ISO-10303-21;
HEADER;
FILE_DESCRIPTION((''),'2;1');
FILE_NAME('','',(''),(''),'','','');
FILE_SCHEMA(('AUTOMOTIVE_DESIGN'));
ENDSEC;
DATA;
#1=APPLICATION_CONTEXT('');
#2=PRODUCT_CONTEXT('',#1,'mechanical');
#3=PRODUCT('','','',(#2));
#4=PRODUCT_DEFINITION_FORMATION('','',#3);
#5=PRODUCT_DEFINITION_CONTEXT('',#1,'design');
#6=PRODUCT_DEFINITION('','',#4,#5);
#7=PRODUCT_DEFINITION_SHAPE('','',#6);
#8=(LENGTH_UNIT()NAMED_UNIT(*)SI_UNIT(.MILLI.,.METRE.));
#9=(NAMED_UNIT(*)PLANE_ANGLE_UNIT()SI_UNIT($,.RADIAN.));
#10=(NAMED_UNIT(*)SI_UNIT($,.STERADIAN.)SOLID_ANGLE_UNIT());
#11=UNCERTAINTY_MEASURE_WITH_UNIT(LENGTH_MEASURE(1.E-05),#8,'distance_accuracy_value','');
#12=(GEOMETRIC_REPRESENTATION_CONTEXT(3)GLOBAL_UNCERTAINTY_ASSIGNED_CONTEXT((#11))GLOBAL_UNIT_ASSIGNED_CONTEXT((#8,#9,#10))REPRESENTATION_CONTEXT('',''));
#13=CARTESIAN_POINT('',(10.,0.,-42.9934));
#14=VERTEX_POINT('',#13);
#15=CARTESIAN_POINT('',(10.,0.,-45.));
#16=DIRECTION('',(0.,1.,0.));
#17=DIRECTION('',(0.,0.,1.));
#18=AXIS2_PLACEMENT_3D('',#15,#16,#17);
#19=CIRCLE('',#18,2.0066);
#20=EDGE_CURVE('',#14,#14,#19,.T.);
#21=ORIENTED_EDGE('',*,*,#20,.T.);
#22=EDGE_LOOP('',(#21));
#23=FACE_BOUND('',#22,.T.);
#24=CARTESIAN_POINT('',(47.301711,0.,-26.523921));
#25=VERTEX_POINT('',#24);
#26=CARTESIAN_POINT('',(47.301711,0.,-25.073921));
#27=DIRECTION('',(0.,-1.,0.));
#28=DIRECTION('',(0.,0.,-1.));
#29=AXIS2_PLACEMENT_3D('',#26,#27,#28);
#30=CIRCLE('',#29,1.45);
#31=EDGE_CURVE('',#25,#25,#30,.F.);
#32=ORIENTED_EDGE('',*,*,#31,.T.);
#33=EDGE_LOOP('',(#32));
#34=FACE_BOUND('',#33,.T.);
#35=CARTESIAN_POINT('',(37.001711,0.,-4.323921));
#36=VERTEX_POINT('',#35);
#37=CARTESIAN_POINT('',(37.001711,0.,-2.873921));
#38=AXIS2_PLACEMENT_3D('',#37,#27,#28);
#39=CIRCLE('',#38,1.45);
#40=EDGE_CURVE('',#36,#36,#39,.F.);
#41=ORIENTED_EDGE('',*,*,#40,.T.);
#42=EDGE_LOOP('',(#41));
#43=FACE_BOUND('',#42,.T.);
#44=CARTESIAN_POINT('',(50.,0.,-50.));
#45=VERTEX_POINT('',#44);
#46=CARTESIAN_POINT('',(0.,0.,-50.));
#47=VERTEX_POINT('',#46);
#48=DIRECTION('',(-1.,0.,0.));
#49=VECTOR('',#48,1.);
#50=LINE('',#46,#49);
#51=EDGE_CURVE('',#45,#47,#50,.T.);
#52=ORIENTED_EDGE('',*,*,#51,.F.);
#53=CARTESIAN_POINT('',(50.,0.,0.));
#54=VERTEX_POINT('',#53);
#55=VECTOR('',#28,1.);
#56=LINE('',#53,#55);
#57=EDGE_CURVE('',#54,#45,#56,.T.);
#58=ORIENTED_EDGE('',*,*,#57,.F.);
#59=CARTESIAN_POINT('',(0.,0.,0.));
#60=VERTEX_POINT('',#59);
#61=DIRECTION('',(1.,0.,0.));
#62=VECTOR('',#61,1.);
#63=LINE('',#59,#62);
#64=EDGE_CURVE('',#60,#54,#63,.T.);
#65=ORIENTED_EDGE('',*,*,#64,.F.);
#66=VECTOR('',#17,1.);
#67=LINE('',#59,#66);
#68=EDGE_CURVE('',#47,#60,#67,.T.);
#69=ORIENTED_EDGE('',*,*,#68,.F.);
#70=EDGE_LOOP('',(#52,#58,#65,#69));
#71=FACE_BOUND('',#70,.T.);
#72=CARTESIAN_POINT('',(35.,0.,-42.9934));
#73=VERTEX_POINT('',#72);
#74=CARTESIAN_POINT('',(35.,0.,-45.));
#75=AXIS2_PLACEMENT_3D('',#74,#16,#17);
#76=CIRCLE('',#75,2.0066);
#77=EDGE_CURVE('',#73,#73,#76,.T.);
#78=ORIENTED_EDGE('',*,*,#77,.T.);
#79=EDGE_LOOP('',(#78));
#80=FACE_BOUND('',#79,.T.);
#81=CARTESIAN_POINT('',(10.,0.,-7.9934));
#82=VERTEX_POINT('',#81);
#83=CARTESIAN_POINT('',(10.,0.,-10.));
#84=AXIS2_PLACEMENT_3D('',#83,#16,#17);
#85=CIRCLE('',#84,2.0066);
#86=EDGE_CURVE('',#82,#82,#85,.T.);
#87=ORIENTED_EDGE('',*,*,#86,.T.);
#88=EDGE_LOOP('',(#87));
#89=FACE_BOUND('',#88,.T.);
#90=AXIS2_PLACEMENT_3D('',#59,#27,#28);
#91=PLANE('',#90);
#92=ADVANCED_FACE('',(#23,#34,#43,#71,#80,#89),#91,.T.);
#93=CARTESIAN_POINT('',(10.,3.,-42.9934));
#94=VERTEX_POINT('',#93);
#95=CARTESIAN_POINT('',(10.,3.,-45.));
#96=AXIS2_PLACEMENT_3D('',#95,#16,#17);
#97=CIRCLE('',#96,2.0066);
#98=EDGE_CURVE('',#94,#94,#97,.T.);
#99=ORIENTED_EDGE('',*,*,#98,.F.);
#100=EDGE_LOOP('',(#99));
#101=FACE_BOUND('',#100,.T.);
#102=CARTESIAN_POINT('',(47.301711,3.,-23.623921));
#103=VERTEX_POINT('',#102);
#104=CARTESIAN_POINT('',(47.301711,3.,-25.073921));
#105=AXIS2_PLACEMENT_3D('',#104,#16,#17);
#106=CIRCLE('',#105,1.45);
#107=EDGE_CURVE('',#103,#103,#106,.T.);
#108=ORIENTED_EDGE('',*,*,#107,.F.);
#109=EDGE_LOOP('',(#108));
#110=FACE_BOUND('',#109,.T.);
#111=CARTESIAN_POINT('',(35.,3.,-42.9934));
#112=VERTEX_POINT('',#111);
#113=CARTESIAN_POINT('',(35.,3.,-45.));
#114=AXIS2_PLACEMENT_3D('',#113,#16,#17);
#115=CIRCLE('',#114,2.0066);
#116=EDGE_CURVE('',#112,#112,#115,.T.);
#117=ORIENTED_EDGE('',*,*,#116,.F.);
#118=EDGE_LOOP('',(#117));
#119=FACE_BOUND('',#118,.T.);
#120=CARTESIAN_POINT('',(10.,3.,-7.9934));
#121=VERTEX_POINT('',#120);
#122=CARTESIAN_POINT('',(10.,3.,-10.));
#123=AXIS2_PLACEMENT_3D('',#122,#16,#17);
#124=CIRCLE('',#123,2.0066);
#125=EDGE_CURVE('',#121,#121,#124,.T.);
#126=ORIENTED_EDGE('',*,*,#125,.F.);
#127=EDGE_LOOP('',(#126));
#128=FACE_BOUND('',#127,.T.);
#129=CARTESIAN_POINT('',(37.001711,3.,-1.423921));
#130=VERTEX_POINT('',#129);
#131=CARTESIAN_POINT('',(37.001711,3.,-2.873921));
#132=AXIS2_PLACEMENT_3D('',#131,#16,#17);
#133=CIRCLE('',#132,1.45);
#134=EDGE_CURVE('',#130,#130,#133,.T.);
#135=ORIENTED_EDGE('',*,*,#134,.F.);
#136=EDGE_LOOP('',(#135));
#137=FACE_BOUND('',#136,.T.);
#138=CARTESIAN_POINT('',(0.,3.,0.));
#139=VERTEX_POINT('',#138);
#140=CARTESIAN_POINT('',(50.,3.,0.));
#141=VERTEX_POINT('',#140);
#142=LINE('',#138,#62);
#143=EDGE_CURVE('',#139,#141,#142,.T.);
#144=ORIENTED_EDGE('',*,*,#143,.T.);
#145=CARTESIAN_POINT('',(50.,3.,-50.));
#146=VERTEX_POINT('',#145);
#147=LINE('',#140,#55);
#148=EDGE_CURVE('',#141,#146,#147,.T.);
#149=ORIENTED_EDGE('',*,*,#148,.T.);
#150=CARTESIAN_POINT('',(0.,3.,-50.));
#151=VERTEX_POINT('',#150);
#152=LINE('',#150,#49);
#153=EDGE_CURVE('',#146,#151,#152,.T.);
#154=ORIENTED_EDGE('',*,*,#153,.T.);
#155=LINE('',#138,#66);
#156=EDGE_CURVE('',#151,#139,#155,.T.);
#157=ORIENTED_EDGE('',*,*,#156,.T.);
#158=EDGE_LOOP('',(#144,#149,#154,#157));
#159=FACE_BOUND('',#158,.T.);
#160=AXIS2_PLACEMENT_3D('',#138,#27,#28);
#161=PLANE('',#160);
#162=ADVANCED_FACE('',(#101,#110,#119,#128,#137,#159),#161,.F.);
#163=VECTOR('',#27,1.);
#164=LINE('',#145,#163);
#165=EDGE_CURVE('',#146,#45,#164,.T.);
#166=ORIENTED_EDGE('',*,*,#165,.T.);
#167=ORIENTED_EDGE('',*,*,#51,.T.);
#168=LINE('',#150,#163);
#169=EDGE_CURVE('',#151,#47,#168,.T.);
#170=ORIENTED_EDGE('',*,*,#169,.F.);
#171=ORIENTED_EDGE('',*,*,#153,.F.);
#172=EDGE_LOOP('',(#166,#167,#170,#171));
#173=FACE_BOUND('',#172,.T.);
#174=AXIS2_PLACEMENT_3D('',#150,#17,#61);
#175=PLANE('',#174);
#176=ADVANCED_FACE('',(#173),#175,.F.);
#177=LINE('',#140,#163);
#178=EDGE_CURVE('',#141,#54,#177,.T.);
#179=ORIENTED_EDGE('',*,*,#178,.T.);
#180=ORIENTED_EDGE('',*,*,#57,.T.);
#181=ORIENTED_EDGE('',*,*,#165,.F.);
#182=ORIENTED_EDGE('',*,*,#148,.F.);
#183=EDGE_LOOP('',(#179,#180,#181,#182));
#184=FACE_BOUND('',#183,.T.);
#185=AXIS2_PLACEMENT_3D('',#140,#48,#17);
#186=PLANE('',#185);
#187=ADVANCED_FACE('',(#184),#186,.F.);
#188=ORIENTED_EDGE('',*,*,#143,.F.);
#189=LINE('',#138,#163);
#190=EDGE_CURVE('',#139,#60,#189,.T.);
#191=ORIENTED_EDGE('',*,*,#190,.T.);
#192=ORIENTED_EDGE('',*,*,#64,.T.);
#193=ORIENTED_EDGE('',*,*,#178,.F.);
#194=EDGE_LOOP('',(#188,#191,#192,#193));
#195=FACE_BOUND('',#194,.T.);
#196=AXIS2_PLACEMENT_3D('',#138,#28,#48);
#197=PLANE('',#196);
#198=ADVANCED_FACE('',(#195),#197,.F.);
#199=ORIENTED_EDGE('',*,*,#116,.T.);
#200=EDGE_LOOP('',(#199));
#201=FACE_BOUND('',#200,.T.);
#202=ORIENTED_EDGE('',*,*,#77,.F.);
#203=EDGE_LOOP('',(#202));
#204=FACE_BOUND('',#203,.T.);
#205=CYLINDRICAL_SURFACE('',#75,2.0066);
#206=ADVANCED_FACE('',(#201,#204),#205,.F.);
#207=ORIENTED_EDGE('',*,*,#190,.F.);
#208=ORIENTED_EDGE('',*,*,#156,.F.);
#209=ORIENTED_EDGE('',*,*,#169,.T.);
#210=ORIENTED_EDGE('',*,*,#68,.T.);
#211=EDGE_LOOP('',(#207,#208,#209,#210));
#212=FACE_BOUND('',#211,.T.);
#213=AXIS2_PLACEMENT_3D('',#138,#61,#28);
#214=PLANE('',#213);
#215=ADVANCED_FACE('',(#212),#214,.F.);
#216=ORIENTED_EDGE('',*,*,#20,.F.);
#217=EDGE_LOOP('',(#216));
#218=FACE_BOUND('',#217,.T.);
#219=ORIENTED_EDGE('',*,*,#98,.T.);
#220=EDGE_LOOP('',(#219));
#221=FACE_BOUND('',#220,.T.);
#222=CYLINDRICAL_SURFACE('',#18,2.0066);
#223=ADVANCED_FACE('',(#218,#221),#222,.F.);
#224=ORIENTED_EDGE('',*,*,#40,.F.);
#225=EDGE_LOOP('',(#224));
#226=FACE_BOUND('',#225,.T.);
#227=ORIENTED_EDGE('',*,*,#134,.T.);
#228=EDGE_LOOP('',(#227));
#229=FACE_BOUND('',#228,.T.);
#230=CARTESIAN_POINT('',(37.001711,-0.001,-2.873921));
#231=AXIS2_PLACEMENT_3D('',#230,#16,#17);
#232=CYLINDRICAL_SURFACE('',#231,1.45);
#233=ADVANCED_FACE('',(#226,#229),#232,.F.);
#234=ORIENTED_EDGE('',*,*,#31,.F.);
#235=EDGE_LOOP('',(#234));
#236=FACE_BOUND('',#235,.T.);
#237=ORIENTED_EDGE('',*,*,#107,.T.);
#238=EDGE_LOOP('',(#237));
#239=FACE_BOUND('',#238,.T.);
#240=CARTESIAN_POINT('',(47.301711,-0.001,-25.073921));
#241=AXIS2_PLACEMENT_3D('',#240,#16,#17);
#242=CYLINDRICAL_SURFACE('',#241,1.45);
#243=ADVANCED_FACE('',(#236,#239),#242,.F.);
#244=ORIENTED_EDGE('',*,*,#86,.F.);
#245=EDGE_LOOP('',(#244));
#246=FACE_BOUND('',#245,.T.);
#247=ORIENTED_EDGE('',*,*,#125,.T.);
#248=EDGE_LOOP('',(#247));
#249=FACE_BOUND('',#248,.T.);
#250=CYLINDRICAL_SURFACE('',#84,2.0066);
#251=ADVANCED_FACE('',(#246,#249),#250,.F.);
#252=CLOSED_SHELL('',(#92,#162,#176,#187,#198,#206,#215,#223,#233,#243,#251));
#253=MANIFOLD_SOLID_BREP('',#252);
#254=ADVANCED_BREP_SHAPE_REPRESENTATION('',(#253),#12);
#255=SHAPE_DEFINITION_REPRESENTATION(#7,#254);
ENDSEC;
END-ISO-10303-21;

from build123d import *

# Parameters (mm, degrees)
SKETCH1_W           = 50
SKETCH1_H           = 50
BOSS_EXTRUDE1_DEPTH = 3
SKETCH2_R           = 2.0066
CUT_EXTRUDE1_DEPTH  = 4
CUT_EXTRUDE2_REACH  = 5
SKETCH3_R           = 1.45


with BuildPart() as part:
    # Sketch1 → Boss-Extrude1 (new body)
    with BuildSketch(Plane(origin=(0, 0, 0), x_dir=(1, 0, 0), z_dir=(0, 1, 0))):
        with Locations((25, 25)):
            Rectangle(SKETCH1_W, SKETCH1_H)
    extrude(amount=BOSS_EXTRUDE1_DEPTH)

    # Sketch2 → Cut-Extrude1 (cut, through all)
    with BuildSketch(Plane(origin=(0, 3, 0), x_dir=(1, 0, 0), z_dir=(0, 1, 0))):
        with Locations((10, 45)):
            Circle(SKETCH2_R)
        with Locations((35, 45)):
            Circle(SKETCH2_R)
        with Locations((10, 10)):
            Circle(SKETCH2_R)
    extrude(amount=-CUT_EXTRUDE1_DEPTH, mode=Mode.SUBTRACT)

    # Sketch3 → Cut-Extrude2 (cut, up to next)
    with BuildSketch(Plane(origin=(0, 3, 0), x_dir=(1, 0, 0), z_dir=(0, 1, 0)), mode=Mode.PRIVATE) as cut_extrude2_sk1:
        with Locations((47.301711452, 25.073921106)):
            Circle(SKETCH3_R)
    cut_extrude2_tool1 = extrude(cut_extrude2_sk1.sketch, amount=-CUT_EXTRUDE2_REACH, mode=Mode.PRIVATE) & part.part
    add(cut_extrude2_tool1.solids().sort_by_distance((47.301711, 3, -25.073921))[0], mode=Mode.SUBTRACT)
    # Sketch3 → Cut-Extrude2 (cut, up to next)
    with BuildSketch(Plane(origin=(0, 3, 0), x_dir=(1, 0, 0), z_dir=(0, 1, 0)), mode=Mode.PRIVATE) as cut_extrude2_sk2:
        with Locations((37.001711452, 2.873921106)):
            Circle(SKETCH3_R)
    cut_extrude2_tool2 = extrude(cut_extrude2_sk2.sketch, amount=-CUT_EXTRUDE2_REACH, mode=Mode.PRIVATE) & part.part
    add(cut_extrude2_tool2.solids().sort_by_distance((37.001711, 3, -2.873921))[0], mode=Mode.SUBTRACT)


solid = part.part
